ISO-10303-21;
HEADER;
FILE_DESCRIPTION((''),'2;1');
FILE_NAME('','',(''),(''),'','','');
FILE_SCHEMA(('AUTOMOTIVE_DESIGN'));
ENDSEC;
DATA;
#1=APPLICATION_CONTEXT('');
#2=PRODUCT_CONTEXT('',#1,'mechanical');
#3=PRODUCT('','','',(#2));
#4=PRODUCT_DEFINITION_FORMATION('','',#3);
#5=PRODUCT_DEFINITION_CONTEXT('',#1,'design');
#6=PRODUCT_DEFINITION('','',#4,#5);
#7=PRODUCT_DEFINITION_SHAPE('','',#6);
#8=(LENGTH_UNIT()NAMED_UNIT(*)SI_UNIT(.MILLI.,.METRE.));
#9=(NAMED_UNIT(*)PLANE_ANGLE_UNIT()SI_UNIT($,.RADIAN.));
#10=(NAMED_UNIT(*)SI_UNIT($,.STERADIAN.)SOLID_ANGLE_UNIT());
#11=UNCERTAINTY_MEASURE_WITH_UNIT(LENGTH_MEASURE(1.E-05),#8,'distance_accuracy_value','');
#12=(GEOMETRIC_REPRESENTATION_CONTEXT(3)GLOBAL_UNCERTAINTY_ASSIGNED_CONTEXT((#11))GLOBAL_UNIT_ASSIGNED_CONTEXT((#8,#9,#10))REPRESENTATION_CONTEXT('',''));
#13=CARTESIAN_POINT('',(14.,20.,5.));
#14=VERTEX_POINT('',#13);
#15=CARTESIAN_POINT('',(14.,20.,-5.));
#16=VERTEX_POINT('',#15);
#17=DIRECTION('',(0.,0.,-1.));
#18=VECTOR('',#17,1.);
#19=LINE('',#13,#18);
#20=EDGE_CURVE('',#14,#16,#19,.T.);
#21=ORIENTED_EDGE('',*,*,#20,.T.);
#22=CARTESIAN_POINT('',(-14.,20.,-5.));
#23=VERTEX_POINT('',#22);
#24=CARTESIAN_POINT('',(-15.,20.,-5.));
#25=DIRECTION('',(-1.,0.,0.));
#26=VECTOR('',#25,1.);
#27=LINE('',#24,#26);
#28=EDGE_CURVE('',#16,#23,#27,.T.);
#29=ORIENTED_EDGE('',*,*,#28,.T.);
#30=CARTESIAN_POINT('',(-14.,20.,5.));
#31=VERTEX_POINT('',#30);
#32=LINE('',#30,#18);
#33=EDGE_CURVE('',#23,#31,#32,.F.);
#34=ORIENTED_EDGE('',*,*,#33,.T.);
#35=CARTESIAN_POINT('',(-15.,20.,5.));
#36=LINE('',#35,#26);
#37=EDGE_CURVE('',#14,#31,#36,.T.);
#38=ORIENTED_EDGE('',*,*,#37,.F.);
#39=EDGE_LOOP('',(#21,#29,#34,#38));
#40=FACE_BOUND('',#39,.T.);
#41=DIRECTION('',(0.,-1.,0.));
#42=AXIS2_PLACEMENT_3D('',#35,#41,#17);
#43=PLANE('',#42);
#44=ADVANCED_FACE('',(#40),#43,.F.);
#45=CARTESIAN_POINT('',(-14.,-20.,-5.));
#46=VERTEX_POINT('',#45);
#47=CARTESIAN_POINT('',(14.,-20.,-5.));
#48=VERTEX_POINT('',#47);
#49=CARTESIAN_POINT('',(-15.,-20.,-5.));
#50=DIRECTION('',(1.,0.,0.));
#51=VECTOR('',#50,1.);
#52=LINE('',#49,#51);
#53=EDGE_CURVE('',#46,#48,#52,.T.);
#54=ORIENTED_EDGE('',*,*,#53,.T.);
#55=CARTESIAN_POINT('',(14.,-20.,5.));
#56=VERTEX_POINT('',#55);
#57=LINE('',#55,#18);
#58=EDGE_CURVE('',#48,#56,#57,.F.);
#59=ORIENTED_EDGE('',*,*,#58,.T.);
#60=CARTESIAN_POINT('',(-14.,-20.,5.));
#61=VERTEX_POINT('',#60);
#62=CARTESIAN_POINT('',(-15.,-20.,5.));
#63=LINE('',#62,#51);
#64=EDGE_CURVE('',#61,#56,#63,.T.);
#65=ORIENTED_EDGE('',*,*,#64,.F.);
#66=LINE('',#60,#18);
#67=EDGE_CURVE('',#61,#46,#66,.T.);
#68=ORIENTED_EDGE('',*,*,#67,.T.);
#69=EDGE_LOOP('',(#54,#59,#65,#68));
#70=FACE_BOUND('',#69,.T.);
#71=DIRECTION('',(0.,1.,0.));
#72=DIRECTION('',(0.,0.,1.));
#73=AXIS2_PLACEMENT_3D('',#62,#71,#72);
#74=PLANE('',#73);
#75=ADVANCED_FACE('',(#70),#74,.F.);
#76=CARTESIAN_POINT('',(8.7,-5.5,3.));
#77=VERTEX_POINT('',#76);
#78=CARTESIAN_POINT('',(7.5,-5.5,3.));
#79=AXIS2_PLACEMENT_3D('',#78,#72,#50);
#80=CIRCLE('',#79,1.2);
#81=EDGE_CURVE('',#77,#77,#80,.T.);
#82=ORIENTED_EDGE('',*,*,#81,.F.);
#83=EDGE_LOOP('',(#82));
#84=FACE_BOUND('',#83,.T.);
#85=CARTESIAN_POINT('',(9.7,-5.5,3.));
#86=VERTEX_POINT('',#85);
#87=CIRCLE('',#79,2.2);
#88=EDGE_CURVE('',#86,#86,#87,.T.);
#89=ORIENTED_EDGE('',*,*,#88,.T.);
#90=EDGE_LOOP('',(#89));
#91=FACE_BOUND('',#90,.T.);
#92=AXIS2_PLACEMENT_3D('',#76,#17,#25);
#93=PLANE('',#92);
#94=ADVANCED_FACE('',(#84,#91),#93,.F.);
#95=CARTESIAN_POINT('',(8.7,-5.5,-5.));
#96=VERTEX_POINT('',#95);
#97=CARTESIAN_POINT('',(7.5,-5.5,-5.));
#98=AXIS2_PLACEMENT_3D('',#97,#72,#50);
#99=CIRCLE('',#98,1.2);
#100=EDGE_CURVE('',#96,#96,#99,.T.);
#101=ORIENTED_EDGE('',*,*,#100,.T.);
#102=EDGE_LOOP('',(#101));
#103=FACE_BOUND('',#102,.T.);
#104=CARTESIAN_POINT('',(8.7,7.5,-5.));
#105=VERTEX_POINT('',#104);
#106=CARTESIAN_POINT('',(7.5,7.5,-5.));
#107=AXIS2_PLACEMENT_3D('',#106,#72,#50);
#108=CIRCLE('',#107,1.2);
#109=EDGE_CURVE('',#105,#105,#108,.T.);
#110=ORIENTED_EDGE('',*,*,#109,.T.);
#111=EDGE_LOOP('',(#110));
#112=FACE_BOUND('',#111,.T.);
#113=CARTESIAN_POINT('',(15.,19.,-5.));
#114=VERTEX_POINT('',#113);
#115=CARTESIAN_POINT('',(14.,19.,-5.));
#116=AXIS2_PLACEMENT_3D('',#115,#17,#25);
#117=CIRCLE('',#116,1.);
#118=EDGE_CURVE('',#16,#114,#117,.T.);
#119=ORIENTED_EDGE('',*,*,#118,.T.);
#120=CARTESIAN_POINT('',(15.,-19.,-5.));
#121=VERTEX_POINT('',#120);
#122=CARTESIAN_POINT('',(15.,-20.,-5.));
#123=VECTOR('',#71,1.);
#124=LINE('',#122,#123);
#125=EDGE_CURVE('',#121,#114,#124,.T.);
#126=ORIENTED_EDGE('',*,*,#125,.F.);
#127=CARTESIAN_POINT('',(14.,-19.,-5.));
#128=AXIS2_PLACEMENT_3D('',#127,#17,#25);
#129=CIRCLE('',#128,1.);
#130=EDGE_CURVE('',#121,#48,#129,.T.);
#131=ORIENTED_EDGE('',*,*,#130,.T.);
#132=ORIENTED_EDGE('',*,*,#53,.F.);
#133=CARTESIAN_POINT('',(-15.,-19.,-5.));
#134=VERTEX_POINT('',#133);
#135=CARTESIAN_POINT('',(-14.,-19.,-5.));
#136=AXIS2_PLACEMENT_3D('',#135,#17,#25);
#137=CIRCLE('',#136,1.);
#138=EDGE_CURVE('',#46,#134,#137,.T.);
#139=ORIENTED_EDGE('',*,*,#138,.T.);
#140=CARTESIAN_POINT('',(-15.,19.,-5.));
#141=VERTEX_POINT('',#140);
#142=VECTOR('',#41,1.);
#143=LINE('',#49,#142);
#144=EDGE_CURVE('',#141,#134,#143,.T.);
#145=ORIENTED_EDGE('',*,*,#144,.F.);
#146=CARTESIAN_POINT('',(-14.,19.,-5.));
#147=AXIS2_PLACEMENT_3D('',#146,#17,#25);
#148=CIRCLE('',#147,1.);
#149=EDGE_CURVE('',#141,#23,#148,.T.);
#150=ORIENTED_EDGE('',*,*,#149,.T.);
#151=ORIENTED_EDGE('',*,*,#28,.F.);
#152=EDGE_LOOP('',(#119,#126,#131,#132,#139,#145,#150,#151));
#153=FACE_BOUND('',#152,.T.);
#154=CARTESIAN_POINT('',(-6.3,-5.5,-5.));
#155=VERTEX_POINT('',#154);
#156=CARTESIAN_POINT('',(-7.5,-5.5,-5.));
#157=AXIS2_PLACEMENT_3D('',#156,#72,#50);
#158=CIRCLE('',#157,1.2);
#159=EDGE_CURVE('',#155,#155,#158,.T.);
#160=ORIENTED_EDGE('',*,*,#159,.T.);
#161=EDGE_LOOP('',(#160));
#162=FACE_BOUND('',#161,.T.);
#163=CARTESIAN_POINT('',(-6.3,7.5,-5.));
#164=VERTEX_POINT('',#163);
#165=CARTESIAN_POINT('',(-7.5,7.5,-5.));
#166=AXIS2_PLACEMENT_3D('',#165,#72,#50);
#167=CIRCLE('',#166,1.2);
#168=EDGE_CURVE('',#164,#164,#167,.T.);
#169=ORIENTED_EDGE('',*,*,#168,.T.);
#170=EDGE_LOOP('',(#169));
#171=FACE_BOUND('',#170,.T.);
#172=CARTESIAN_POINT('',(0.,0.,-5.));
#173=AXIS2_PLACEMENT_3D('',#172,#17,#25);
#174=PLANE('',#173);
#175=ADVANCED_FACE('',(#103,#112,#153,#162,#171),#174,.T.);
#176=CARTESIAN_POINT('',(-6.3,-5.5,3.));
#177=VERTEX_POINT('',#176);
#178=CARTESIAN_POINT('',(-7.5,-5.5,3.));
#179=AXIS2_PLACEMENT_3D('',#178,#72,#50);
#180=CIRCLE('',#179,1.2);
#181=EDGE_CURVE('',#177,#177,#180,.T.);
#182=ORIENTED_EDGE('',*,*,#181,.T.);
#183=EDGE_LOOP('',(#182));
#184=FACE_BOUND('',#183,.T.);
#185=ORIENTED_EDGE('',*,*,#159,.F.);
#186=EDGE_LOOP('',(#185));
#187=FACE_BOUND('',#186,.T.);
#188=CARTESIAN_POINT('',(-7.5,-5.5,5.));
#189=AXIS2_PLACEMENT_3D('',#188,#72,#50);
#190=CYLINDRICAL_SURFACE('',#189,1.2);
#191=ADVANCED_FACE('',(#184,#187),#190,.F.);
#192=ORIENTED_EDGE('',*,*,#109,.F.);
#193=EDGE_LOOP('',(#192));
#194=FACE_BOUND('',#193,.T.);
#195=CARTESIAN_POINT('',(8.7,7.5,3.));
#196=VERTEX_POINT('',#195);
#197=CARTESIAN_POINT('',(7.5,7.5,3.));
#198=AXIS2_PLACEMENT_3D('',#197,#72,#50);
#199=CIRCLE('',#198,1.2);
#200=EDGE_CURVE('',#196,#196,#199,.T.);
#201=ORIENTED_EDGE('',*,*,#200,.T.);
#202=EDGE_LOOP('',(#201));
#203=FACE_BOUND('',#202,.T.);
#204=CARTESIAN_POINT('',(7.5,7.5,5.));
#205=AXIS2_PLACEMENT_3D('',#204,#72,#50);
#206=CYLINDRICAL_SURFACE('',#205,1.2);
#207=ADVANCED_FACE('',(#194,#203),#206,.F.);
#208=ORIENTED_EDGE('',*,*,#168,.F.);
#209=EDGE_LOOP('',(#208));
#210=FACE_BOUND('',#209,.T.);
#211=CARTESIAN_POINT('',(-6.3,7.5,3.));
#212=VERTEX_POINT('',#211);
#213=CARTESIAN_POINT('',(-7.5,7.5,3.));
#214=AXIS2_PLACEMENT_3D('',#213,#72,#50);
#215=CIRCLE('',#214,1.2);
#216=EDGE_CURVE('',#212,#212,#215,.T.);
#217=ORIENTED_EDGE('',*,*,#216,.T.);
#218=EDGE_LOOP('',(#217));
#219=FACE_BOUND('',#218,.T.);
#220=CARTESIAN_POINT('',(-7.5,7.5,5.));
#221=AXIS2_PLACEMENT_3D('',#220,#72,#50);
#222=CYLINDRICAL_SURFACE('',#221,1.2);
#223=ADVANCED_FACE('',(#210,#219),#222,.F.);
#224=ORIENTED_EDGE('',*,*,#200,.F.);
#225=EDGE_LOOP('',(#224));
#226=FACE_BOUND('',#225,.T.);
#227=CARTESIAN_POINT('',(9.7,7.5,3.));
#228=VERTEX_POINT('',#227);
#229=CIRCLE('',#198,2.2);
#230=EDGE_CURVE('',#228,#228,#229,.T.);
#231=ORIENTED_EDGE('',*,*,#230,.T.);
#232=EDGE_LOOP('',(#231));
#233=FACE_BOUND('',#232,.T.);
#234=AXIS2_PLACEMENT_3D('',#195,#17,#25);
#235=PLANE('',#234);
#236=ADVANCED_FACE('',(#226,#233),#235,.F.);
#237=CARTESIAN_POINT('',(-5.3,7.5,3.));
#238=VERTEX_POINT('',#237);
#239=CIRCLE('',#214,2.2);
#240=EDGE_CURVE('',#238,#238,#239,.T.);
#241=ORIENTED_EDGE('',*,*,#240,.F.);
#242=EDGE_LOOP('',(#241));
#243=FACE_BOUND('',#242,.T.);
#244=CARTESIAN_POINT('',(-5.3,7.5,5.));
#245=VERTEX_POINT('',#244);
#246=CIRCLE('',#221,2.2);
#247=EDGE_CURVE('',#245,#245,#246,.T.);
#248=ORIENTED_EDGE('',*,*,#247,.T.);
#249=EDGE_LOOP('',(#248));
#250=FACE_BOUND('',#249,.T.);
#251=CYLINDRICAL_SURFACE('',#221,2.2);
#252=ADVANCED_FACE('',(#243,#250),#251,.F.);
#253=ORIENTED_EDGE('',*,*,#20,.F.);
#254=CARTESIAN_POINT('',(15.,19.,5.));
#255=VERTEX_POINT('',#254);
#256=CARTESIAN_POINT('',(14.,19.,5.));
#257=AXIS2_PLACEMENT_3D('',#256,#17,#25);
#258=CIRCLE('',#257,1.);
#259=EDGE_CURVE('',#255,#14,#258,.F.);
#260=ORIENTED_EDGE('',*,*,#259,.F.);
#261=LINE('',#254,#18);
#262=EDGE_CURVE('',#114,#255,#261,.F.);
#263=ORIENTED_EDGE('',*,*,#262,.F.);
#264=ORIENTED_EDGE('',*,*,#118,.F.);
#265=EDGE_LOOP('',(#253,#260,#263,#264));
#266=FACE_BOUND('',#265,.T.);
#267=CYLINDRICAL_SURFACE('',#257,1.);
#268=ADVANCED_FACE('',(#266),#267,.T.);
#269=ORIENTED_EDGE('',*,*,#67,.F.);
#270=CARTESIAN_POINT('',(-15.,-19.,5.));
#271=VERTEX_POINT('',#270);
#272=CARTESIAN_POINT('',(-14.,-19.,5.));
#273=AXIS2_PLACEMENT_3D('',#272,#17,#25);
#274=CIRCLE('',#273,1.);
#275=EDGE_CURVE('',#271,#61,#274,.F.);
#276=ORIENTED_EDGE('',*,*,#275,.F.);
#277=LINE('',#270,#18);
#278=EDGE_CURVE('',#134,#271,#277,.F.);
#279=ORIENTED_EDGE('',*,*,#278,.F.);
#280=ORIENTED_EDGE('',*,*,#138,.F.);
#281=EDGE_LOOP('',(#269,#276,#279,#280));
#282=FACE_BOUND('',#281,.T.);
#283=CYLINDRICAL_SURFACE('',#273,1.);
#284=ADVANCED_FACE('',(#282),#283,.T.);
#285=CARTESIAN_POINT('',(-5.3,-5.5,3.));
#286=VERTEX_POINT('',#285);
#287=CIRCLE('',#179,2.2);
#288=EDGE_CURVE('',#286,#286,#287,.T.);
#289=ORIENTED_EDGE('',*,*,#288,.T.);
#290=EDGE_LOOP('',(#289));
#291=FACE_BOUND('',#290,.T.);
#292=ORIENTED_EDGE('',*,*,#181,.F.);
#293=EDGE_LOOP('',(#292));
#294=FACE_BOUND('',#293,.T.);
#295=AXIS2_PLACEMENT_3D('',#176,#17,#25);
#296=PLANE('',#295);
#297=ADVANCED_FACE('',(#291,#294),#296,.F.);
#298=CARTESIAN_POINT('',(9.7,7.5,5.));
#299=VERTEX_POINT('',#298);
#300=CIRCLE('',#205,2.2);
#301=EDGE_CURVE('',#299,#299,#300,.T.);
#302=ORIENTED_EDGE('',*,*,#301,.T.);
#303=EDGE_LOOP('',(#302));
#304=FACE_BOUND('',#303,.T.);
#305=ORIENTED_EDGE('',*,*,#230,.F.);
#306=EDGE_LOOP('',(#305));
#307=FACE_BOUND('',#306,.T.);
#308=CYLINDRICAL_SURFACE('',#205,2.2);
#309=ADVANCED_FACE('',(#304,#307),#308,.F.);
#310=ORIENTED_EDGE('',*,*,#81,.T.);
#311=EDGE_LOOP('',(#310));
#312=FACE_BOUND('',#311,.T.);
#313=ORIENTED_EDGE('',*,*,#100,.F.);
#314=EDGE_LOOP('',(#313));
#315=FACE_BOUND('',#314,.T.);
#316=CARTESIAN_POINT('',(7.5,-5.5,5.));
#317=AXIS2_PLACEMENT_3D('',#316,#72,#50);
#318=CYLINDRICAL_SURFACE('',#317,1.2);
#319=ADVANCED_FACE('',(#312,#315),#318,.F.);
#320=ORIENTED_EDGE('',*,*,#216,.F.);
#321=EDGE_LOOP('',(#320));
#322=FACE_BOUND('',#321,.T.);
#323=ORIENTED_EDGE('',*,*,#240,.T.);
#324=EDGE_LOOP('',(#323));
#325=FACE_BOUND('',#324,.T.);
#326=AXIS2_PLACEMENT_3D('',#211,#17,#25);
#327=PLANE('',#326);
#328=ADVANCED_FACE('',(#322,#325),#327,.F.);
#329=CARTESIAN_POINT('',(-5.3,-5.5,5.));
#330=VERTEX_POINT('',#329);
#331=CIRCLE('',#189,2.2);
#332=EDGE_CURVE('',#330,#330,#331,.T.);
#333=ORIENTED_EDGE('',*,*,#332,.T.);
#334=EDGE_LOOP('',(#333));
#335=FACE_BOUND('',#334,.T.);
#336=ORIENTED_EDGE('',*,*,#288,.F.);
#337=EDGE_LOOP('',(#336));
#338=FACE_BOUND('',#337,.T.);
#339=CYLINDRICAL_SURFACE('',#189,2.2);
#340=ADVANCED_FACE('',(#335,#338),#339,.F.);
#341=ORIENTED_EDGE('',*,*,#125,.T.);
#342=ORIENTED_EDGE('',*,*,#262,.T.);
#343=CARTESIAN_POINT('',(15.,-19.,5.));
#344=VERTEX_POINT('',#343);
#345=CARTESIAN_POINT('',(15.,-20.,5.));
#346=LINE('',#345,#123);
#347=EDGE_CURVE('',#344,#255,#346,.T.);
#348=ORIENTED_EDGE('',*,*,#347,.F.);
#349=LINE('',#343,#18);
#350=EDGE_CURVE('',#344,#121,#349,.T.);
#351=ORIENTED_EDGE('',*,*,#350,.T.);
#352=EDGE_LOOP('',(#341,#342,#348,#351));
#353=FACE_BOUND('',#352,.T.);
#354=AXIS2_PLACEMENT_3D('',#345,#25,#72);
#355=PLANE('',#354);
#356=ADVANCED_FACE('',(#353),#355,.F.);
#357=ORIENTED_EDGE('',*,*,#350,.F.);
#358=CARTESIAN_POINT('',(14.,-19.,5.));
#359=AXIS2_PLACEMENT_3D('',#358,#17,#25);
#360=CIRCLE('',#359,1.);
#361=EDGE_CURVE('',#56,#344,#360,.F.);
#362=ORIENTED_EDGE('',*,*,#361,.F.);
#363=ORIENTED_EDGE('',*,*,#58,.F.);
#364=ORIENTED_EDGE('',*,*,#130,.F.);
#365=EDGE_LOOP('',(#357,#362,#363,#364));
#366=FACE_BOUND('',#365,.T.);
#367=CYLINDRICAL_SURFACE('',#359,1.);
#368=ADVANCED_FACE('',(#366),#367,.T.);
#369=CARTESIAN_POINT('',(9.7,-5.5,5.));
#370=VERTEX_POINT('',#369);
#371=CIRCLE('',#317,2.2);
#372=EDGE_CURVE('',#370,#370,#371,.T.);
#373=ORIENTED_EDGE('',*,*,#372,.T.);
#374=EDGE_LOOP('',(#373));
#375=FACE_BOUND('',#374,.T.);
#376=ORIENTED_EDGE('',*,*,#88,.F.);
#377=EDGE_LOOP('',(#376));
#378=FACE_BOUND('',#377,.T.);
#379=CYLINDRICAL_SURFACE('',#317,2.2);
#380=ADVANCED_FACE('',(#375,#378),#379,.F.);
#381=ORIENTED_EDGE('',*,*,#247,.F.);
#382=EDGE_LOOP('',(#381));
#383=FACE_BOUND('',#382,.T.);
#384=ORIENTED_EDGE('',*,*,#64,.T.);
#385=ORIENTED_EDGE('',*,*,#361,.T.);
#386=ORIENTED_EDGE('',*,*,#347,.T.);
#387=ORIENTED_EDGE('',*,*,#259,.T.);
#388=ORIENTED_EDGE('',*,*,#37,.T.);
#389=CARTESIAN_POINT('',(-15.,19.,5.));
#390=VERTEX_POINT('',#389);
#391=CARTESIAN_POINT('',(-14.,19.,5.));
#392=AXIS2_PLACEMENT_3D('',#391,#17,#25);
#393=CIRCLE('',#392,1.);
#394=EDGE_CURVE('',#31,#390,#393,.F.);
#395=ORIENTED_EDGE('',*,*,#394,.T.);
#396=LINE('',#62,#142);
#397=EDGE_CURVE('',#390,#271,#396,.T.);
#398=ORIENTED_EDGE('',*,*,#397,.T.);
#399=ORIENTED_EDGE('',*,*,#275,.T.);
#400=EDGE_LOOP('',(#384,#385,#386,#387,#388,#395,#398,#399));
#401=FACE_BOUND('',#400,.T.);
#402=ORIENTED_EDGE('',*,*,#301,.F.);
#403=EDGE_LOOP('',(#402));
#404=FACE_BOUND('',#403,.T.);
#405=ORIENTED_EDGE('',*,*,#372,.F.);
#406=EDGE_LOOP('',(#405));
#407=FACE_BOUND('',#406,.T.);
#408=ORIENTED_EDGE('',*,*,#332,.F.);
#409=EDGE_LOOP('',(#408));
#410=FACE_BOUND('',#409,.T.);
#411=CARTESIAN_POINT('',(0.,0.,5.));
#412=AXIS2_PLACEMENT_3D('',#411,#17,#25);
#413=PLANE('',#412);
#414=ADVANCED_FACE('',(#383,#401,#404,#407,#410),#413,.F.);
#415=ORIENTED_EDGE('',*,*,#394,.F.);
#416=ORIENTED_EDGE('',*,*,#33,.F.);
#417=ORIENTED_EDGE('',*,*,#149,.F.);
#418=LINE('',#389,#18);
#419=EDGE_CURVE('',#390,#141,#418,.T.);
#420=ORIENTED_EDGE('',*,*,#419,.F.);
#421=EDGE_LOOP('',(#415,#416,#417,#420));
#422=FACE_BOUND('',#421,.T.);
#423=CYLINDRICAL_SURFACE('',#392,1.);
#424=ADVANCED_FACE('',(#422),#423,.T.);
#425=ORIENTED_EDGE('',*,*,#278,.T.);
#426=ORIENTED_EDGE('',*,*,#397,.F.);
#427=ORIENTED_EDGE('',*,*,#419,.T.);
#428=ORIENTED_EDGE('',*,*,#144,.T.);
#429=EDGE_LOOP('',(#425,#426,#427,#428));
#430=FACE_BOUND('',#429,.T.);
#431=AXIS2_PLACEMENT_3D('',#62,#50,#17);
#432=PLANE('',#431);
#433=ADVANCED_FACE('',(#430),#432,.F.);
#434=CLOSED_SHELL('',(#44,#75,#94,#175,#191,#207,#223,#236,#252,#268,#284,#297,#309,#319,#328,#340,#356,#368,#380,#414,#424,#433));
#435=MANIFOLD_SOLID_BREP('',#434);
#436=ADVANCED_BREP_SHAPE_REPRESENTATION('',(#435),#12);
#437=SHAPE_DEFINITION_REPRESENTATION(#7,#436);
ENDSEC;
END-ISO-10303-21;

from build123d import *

# Parameters (mm, degrees)
SKETCH1_W                              = 30
SKETCH1_H                              = 40
BODY_DEPTH                             = 5
CBORE_FOR_M2_HEX_HEAD_BOLT2_AT_2_COUNT = 2
CBORE_FOR_M2_HEX_HEAD_BOLT2_AT_2_PITCH = 15
LPATTERN1_COUNT                        = 2
LPATTERN1_PITCH                        = 13
FILLET1_R                              = 1


with BuildPart() as part:
    # Sketch1 → Body (new body, symmetric)
    with BuildSketch(Plane.XY):
        Rectangle(SKETCH1_W, SKETCH1_H)
    extrude(amount=BODY_DEPTH, both=True)

    # Sketch6 → CBORE for M2 Hex Head Bolt2 (revolve, cut)
    with BuildSketch(Plane(origin=(-7.5, 7.5, 5), x_dir=(0, -1, 0), z_dir=(1, 0, 0))):
        Polygon((0, 0), (0, 10.721032743), (1.2, 10), (1.2, 2), (2.2, 2), (2.2, 0), align=None)
    cbore_for_m2_hex_head_bolt2 = revolve(axis=Axis((-7.5, 7.5, 11.35), (0, 0, -1)), mode=Mode.SUBTRACT)

    # CBORE for M2 Hex Head Bolt2 at 2: CBORE for M2 Hex Head Bolt2 ×2
    with Locations(*[(i * CBORE_FOR_M2_HEX_HEAD_BOLT2_AT_2_PITCH, 0, 0) for i in range(1, CBORE_FOR_M2_HEX_HEAD_BOLT2_AT_2_COUNT)]):
        add(cbore_for_m2_hex_head_bolt2, mode=Mode.SUBTRACT)

    # LPattern1: CBORE for M2 Hex Head Bolt2 ×2
    with Locations(*[(0, -i * LPATTERN1_PITCH, 0) for i in range(1, LPATTERN1_COUNT)]):
        add(cbore_for_m2_hex_head_bolt2, mode=Mode.SUBTRACT)

    # LPattern1 copy 1 sketch → LPattern1 copy 1 (revolve, cut)
    with BuildSketch(Plane(origin=(7.5, -5.5, 5), x_dir=(0, -1, 0), z_dir=(1, 0, 0))):
        Polygon((0, 0), (0, 10.721032743), (1.2, 10), (1.2, 2), (2.2, 2), (2.2, 0), align=None)
    revolve(axis=Axis((7.5, -5.5, 11.35), (0, 0, -1)), mode=Mode.SUBTRACT)

    # Fillet1
    fillet1_edges = [part.edges().sort_by_distance(p)[0] for p in [
        (15, -20, 0),
        (-15, -20, 0),
        (-15, 20, 0),
        (15, 20, 0),
    ]]
    fillet(fillet1_edges, radius=FILLET1_R)


solid = part.part
